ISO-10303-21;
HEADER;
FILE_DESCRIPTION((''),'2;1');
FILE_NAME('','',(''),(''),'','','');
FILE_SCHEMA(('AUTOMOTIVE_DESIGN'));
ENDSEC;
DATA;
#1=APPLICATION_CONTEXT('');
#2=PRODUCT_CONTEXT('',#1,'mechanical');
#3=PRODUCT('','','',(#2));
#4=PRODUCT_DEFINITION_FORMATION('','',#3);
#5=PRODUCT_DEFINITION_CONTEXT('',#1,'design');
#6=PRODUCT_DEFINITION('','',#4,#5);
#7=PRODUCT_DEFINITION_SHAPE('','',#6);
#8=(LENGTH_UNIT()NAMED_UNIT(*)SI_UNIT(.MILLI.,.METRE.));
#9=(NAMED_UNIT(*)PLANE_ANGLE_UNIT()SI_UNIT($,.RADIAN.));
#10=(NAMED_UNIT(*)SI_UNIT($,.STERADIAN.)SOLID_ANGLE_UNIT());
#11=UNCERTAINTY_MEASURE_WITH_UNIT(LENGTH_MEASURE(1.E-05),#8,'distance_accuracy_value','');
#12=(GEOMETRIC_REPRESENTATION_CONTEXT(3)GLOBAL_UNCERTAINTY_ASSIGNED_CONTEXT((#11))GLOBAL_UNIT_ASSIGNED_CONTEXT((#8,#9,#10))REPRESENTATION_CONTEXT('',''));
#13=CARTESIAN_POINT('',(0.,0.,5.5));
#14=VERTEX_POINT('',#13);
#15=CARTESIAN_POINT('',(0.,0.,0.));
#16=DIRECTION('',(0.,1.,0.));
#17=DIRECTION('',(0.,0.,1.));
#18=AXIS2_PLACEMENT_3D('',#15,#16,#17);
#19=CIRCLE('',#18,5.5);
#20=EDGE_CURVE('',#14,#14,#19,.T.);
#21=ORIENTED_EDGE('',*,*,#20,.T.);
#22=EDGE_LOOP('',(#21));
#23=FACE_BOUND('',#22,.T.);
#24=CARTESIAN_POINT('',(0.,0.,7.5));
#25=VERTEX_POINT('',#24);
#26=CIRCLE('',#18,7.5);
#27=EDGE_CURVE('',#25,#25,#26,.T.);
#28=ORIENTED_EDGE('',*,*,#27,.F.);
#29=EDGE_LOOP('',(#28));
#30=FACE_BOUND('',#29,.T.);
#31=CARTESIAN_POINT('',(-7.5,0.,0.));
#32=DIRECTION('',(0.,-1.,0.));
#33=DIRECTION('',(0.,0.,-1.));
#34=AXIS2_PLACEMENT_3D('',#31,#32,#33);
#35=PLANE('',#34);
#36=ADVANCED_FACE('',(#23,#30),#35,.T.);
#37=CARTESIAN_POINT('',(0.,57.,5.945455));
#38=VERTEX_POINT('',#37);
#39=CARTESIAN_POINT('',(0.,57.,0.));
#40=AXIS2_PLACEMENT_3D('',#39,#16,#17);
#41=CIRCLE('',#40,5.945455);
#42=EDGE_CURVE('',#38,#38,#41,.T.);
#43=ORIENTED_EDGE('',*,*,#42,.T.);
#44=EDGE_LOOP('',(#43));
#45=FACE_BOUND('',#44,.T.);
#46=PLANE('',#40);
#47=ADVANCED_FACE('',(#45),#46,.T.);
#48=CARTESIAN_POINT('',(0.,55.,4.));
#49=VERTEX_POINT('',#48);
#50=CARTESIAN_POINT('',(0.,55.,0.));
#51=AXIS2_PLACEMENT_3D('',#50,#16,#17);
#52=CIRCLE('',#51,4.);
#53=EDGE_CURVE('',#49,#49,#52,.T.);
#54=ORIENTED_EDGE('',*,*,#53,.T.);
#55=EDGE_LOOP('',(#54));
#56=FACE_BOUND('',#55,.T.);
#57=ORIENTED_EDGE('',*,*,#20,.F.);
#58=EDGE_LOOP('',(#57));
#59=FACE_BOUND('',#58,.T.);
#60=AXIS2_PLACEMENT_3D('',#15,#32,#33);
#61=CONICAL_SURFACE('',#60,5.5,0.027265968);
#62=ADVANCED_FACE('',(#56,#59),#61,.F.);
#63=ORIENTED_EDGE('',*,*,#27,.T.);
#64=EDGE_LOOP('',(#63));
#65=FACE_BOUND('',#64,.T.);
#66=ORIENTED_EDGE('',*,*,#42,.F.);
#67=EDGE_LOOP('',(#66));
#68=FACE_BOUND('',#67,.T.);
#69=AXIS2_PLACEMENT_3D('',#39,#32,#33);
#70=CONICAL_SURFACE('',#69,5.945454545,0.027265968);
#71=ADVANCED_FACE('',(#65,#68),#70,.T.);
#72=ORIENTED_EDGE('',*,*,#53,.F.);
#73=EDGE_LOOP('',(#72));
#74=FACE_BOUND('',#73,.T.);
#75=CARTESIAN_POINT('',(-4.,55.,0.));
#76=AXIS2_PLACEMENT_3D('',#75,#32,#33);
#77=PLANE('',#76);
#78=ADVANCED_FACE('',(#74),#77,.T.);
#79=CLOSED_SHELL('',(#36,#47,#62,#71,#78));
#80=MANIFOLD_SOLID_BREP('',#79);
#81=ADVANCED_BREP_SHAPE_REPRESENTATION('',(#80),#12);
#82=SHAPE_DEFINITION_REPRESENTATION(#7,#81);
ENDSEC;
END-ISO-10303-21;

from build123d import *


with BuildPart() as part:
    # Skica1 → Rotovat1 (revolve)
    with BuildSketch(Plane.XY):
        Polygon((-5.5, 0), (-4, 55), (0, 55), (0, 57), (-5.945454545, 57), (-7.5, 0), align=None)
    revolve(axis=Axis((0, 59.344368743, 0), (0, -1, 0)))


solid = part.part
